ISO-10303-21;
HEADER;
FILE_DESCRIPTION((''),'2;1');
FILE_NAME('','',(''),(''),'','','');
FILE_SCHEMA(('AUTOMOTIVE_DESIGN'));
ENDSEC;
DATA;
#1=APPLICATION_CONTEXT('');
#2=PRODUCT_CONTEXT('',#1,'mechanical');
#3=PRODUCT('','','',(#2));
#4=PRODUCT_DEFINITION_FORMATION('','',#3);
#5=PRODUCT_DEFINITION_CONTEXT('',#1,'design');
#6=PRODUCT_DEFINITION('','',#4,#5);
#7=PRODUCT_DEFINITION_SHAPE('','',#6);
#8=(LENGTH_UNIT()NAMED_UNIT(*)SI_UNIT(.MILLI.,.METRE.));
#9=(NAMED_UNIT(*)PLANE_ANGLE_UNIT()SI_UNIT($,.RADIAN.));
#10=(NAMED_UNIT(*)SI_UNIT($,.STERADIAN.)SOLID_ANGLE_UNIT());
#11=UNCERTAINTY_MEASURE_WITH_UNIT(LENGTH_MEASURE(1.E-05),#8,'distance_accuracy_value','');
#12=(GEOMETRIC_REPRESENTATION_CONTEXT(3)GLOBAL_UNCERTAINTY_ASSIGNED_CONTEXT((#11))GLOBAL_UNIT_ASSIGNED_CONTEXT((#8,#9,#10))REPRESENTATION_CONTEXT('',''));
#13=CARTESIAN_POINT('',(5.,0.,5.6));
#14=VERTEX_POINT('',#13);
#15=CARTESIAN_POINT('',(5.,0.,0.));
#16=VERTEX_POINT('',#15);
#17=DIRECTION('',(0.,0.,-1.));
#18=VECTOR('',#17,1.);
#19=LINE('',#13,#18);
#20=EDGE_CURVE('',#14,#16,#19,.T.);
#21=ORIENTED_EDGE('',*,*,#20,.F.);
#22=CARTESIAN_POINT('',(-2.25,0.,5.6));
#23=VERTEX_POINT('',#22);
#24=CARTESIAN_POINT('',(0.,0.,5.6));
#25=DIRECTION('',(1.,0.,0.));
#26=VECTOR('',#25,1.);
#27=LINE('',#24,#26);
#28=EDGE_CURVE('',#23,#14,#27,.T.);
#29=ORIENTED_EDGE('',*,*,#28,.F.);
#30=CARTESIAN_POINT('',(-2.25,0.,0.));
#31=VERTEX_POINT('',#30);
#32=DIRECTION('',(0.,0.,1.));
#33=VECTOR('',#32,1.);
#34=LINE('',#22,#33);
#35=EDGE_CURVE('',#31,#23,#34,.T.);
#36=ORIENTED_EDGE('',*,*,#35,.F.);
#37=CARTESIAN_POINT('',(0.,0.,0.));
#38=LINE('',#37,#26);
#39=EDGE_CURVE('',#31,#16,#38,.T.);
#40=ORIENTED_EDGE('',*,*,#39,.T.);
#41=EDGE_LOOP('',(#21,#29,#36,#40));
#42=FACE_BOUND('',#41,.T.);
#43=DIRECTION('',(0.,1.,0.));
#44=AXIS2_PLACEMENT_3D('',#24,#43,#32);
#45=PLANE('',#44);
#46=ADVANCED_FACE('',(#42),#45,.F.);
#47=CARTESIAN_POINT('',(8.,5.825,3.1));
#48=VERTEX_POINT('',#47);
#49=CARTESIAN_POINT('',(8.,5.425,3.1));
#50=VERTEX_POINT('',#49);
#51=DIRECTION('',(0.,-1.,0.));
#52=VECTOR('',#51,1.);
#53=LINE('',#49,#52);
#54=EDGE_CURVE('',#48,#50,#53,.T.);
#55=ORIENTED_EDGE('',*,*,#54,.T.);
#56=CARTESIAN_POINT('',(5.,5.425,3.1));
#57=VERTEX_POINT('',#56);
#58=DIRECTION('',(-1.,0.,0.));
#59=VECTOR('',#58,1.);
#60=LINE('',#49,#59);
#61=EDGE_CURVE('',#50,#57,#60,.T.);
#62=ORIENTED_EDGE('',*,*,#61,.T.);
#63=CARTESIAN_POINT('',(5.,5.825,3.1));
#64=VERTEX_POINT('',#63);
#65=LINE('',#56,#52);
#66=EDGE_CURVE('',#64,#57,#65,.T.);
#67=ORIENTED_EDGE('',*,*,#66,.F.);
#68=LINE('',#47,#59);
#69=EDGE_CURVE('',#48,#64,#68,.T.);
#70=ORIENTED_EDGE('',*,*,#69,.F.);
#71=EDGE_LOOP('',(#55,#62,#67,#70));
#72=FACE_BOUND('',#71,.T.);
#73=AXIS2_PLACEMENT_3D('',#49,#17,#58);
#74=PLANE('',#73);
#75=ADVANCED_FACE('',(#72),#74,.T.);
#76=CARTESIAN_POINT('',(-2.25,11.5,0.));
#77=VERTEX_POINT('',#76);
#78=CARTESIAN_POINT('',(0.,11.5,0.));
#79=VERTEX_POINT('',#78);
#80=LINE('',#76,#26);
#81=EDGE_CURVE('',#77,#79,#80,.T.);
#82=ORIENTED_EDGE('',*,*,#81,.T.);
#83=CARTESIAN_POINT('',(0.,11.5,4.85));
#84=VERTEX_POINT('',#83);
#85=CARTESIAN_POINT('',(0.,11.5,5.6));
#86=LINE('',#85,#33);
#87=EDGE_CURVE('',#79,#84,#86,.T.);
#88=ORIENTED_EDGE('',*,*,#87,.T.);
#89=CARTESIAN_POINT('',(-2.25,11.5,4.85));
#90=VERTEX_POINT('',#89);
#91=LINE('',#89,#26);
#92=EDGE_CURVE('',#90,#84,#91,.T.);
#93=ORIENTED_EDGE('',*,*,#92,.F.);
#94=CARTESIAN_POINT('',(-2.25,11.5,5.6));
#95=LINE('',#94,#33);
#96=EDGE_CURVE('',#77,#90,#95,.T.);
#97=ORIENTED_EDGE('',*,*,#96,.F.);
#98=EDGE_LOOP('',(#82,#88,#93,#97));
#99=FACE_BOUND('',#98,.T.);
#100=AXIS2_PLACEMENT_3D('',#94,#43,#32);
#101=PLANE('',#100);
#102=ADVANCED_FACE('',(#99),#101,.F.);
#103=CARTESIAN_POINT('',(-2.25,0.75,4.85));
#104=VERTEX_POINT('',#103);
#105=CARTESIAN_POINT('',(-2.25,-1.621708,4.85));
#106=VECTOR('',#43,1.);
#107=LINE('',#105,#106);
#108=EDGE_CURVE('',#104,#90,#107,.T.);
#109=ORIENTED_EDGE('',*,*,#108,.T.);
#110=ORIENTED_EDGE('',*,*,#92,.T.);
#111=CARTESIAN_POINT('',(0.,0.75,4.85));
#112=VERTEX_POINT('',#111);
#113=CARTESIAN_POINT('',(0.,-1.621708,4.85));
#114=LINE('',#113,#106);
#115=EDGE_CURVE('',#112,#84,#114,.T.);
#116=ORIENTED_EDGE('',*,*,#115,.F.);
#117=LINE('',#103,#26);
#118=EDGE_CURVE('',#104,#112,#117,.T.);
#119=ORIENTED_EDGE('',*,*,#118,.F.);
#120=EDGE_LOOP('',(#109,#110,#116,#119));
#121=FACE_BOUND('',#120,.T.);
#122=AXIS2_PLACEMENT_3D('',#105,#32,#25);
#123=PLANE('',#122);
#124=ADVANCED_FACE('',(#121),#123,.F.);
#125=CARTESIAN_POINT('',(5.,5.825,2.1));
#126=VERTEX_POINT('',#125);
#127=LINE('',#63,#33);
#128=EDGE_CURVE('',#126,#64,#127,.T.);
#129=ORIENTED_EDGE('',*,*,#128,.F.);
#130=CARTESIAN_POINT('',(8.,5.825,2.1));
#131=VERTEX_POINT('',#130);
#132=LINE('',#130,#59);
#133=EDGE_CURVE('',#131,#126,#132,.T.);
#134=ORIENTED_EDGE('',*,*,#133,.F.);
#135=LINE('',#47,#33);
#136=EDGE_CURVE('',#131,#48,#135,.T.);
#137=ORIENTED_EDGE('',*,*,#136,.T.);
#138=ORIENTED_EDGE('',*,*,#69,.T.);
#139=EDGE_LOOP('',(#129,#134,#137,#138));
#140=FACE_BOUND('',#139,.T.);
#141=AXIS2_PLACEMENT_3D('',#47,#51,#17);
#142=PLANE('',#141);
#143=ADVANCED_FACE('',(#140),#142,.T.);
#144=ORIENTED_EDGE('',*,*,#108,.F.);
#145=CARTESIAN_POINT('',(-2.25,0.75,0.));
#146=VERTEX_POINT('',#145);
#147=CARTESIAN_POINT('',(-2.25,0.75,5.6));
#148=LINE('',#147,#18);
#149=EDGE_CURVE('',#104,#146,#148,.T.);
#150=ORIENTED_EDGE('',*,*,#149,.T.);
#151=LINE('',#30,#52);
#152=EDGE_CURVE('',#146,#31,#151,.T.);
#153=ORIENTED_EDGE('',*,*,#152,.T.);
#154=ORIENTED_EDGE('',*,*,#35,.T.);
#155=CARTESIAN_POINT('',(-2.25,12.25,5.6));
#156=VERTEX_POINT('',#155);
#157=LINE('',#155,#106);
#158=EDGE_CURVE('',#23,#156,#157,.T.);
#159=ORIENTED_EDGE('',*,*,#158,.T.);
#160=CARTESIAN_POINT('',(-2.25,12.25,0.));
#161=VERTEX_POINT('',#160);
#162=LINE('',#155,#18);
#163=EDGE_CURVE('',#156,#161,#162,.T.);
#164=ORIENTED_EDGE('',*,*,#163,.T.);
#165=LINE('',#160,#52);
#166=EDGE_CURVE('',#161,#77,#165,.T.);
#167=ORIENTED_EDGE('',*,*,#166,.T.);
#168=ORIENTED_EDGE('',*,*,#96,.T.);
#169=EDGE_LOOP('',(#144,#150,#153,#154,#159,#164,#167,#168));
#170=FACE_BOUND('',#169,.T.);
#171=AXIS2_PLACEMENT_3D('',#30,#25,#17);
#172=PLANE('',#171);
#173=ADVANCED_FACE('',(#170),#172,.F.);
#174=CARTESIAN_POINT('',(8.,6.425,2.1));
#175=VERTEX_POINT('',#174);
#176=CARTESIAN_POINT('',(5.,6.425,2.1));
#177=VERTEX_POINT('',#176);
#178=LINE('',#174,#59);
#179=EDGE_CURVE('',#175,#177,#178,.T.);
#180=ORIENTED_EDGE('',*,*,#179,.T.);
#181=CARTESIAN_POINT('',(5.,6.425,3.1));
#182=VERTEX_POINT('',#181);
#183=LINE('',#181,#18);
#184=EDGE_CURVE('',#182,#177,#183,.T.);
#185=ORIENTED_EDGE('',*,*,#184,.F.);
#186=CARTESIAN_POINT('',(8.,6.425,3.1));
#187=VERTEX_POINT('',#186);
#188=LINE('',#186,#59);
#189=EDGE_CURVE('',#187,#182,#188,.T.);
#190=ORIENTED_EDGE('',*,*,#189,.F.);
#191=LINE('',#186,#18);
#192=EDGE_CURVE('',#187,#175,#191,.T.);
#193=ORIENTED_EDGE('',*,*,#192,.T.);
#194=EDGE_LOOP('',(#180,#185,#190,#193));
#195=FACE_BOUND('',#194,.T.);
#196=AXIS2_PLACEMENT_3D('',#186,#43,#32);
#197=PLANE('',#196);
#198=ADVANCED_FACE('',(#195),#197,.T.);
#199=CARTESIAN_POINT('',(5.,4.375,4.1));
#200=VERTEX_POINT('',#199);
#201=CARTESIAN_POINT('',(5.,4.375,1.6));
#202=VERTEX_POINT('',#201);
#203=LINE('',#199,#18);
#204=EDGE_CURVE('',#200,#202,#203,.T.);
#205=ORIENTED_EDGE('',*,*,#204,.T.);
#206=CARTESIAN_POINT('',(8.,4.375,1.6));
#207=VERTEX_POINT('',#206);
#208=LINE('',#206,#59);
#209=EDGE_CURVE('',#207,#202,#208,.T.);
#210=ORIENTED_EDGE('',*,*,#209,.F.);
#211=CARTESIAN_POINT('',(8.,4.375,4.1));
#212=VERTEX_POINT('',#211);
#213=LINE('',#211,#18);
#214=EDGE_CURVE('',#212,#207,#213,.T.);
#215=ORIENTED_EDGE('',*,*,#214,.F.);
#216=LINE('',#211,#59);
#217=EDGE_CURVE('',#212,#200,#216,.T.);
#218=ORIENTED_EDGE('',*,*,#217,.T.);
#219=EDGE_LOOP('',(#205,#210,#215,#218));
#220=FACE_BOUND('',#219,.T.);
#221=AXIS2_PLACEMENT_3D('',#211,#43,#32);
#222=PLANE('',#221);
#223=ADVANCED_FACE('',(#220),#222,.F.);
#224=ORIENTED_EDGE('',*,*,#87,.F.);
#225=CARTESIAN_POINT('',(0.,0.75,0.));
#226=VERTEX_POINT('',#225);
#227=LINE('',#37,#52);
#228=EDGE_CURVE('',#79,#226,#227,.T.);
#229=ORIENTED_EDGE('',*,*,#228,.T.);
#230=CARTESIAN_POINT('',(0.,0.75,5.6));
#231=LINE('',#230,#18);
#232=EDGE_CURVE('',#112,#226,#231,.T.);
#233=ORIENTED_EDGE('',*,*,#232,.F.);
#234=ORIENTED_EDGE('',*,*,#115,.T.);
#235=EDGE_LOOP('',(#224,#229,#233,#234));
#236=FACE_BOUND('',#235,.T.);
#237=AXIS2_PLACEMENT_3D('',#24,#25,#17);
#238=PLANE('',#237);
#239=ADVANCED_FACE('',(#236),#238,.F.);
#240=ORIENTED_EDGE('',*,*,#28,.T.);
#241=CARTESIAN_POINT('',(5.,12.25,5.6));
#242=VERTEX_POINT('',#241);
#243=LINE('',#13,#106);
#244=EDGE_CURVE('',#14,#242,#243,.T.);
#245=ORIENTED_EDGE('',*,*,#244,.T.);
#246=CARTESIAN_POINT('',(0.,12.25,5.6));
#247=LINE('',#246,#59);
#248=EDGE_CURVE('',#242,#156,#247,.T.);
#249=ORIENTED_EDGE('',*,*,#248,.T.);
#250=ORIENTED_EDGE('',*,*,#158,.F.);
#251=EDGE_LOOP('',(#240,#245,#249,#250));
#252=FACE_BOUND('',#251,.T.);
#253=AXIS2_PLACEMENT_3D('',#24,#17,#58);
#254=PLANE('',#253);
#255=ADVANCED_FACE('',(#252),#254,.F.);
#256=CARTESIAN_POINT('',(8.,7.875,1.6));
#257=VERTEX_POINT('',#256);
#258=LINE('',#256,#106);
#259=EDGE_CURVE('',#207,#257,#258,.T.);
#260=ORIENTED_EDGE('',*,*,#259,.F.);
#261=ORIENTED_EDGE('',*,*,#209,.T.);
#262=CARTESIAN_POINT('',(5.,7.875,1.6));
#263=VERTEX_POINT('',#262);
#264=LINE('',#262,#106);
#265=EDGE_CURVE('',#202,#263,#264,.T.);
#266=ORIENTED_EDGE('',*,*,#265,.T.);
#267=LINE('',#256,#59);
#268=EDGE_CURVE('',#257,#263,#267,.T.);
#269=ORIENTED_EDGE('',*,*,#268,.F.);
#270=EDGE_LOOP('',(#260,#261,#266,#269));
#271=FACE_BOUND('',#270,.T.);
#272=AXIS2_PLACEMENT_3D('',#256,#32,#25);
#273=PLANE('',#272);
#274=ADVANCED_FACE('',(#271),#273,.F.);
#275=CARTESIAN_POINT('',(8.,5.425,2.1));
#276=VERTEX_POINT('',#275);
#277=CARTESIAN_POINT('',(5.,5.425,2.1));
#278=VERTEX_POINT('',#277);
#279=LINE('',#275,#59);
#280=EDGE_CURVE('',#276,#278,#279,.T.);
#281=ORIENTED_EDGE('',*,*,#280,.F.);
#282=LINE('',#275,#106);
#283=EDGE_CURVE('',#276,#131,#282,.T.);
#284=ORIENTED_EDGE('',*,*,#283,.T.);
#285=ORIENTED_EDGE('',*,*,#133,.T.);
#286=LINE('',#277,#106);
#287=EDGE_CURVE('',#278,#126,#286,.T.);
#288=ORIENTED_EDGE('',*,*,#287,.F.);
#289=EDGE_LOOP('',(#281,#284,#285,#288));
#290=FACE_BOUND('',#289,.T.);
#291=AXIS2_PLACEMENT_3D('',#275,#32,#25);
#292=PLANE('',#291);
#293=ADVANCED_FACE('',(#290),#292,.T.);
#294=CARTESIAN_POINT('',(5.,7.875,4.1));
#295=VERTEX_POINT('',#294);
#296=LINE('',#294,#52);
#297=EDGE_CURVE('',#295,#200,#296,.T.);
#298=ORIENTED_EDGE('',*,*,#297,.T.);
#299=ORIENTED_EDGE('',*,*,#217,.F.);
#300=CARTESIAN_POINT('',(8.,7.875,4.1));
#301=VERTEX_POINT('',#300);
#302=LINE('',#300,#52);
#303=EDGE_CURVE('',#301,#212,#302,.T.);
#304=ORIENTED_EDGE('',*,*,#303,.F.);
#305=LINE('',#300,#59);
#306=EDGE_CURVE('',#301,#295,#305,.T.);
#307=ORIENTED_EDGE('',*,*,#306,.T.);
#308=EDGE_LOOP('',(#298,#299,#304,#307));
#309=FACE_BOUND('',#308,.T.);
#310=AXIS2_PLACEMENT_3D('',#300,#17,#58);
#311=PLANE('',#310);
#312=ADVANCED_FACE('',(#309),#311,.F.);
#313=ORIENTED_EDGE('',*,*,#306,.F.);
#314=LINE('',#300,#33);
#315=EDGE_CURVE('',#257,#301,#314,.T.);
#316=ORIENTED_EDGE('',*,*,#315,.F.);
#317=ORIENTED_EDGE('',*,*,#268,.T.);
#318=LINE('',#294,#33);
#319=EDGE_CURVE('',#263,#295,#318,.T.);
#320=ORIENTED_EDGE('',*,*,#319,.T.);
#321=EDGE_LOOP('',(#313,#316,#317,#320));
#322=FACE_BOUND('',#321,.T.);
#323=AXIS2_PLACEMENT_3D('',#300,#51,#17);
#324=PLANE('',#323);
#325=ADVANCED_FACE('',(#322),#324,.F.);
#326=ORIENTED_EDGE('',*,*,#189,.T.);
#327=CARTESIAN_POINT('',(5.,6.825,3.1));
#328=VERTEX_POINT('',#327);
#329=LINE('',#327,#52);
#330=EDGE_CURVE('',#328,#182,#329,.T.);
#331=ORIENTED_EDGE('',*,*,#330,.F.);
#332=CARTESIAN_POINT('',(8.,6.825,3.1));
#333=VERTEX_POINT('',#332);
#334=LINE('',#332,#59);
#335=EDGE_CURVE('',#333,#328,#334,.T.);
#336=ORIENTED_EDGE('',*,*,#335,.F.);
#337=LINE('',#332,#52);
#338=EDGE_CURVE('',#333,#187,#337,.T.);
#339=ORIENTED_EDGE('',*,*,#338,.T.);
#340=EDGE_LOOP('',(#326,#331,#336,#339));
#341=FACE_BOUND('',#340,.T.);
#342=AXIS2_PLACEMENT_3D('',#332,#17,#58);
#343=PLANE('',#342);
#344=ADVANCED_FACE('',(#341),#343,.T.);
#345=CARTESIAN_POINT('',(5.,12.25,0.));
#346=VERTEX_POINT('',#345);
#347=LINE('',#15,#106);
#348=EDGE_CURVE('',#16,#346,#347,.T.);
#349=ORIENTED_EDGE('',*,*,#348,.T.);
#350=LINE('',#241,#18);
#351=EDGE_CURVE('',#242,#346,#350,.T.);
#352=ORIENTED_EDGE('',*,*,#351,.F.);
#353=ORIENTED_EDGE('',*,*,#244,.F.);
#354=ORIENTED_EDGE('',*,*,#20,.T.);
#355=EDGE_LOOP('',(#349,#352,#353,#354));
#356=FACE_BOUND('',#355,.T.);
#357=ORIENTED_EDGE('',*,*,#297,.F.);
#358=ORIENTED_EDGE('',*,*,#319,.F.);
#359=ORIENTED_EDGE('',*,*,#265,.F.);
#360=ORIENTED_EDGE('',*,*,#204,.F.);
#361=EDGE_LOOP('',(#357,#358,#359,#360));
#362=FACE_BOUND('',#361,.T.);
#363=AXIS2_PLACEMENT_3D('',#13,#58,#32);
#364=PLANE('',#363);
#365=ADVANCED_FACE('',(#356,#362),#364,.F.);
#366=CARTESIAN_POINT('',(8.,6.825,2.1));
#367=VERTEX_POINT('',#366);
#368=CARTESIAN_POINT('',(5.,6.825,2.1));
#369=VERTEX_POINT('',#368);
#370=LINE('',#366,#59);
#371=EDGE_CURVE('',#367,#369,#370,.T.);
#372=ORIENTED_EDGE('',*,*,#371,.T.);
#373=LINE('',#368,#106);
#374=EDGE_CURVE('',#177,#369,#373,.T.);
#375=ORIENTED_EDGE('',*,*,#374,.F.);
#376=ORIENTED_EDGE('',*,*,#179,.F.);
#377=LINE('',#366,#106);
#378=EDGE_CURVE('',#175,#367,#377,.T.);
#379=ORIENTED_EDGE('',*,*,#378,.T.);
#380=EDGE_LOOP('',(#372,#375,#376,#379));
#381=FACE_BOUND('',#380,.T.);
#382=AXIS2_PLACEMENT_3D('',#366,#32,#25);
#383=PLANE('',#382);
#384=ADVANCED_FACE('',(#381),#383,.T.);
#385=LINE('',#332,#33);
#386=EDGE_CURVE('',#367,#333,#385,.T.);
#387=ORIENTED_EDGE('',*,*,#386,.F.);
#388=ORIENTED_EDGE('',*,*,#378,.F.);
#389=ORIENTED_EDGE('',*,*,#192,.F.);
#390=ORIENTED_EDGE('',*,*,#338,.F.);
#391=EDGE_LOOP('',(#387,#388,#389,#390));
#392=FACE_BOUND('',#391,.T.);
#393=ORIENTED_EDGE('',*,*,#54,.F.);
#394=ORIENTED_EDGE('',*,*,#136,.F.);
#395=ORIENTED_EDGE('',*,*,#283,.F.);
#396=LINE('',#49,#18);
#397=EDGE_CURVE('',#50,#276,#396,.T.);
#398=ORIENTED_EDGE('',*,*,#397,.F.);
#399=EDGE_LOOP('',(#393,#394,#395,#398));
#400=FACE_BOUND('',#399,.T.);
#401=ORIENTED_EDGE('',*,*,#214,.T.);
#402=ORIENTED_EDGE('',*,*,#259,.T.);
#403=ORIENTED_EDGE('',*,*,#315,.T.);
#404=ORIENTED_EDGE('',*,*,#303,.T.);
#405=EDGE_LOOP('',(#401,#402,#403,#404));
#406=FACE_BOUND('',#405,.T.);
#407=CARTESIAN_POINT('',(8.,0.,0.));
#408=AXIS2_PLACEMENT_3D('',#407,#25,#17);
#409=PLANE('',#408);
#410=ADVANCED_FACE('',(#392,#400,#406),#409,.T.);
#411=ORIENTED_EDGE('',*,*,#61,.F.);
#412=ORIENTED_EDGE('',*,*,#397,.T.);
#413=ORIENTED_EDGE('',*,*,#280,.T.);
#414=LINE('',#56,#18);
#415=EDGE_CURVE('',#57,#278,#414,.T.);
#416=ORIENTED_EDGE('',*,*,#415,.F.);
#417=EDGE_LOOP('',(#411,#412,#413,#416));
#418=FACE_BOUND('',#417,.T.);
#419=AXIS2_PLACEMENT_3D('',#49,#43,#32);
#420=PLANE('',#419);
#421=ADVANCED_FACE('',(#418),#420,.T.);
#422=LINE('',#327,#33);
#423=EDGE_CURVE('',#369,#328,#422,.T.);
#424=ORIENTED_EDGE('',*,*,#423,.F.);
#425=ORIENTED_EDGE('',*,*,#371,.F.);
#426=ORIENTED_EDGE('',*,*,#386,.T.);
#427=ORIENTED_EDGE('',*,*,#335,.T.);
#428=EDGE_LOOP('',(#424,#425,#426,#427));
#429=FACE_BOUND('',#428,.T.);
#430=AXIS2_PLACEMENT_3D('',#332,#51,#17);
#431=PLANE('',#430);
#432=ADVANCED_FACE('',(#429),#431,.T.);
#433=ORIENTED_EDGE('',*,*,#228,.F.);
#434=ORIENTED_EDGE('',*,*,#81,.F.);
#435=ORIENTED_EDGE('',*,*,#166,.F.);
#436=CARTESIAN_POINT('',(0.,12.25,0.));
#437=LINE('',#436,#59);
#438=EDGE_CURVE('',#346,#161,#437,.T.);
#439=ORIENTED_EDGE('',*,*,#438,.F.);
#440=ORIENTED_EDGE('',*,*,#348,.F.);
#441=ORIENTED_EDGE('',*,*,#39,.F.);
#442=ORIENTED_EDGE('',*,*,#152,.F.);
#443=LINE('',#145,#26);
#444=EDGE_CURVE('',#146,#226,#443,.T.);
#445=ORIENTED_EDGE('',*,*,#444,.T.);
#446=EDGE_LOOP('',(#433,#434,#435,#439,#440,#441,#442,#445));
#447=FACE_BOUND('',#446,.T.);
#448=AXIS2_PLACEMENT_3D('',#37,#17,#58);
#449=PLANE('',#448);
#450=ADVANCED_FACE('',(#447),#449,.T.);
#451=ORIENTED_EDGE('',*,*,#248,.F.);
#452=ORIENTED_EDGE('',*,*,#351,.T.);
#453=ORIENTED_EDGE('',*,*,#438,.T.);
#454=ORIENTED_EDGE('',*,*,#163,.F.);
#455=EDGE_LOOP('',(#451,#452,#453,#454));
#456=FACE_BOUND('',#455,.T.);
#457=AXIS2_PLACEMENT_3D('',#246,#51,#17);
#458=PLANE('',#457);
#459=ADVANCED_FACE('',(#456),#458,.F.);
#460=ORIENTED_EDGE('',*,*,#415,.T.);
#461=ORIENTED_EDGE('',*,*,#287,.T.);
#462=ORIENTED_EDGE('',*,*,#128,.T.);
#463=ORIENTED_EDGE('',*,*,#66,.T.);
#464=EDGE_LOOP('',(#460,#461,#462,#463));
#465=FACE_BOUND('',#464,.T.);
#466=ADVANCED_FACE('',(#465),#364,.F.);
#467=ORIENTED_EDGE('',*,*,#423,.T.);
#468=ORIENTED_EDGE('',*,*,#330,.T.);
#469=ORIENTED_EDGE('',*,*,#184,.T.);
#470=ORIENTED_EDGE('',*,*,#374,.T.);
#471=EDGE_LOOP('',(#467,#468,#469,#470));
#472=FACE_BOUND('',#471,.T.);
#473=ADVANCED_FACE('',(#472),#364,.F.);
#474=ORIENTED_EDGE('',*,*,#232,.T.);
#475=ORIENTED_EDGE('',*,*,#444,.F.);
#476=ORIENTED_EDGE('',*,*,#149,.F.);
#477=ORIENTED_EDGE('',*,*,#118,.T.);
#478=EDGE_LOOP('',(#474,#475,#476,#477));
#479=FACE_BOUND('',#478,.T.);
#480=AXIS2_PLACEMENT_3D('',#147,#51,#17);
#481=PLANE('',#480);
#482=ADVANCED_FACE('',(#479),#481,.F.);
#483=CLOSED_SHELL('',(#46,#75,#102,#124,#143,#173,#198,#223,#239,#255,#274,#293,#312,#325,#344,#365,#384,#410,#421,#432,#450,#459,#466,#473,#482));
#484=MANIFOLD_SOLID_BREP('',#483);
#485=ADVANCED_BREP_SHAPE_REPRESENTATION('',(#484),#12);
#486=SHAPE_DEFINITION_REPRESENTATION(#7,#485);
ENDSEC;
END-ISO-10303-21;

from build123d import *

# Parameters (mm, degrees)
SKETCH1_W           = 5
SKETCH1_H           = 12.25
BOSS_EXTRUDE1_DEPTH = 5.6
SKETCH3_W           = 2.5
SKETCH3_H           = 3.5
SKETCH3_W_2         = 1
SKETCH3_H_2         = 0.4
BOSS_EXTRUDE2_DEPTH = 3
SKETCH4_W           = 5.6
SKETCH4_H           = 0.75
BOSS_EXTRUDE3_DEPTH = 2.25
SKETCH5_W           = 2.25
SKETCH5_H           = 0.75
BOSS_EXTRUDE4_DEPTH = 10.75


with BuildPart() as part:
    # Sketch1 → Boss-Extrude1 (new body)
    with BuildSketch(Plane.XY):
        with Locations((2.5, 6.125)):
            Rectangle(SKETCH1_W, SKETCH1_H)
    extrude(amount=BOSS_EXTRUDE1_DEPTH)

    # Sketch3 → Boss-Extrude2 (add)
    with BuildSketch(Plane(origin=(5, 0, 0), x_dir=(0, 0, -1), z_dir=(1, 0, 0))):
        with Locations((-2.85, 6.125)):
            Rectangle(SKETCH3_W, SKETCH3_H)
        with Locations((-2.6, 6.625)):
            Rectangle(SKETCH3_W_2, SKETCH3_H_2, mode=Mode.SUBTRACT)
        with Locations((-2.6, 5.625)):
            Rectangle(SKETCH3_W_2, SKETCH3_H_2, mode=Mode.SUBTRACT)
    extrude(amount=BOSS_EXTRUDE2_DEPTH)

    # Sketch4 → Boss-Extrude3 (add)
    with BuildSketch(Plane.ZY):
        with Locations((2.8, 11.875)):
            Rectangle(SKETCH4_W, SKETCH4_H)
        with Locations((2.8, 0.375)):
            Rectangle(SKETCH4_W, SKETCH4_H)
    extrude(amount=BOSS_EXTRUDE3_DEPTH)

    # Sketch5 → Boss-Extrude4 (add)
    with BuildSketch(Plane.XZ.offset(-11.5)):
        with Locations((-1.125, 5.225)):
            Rectangle(SKETCH5_W, SKETCH5_H)
    extrude(amount=BOSS_EXTRUDE4_DEPTH)


solid = part.part
